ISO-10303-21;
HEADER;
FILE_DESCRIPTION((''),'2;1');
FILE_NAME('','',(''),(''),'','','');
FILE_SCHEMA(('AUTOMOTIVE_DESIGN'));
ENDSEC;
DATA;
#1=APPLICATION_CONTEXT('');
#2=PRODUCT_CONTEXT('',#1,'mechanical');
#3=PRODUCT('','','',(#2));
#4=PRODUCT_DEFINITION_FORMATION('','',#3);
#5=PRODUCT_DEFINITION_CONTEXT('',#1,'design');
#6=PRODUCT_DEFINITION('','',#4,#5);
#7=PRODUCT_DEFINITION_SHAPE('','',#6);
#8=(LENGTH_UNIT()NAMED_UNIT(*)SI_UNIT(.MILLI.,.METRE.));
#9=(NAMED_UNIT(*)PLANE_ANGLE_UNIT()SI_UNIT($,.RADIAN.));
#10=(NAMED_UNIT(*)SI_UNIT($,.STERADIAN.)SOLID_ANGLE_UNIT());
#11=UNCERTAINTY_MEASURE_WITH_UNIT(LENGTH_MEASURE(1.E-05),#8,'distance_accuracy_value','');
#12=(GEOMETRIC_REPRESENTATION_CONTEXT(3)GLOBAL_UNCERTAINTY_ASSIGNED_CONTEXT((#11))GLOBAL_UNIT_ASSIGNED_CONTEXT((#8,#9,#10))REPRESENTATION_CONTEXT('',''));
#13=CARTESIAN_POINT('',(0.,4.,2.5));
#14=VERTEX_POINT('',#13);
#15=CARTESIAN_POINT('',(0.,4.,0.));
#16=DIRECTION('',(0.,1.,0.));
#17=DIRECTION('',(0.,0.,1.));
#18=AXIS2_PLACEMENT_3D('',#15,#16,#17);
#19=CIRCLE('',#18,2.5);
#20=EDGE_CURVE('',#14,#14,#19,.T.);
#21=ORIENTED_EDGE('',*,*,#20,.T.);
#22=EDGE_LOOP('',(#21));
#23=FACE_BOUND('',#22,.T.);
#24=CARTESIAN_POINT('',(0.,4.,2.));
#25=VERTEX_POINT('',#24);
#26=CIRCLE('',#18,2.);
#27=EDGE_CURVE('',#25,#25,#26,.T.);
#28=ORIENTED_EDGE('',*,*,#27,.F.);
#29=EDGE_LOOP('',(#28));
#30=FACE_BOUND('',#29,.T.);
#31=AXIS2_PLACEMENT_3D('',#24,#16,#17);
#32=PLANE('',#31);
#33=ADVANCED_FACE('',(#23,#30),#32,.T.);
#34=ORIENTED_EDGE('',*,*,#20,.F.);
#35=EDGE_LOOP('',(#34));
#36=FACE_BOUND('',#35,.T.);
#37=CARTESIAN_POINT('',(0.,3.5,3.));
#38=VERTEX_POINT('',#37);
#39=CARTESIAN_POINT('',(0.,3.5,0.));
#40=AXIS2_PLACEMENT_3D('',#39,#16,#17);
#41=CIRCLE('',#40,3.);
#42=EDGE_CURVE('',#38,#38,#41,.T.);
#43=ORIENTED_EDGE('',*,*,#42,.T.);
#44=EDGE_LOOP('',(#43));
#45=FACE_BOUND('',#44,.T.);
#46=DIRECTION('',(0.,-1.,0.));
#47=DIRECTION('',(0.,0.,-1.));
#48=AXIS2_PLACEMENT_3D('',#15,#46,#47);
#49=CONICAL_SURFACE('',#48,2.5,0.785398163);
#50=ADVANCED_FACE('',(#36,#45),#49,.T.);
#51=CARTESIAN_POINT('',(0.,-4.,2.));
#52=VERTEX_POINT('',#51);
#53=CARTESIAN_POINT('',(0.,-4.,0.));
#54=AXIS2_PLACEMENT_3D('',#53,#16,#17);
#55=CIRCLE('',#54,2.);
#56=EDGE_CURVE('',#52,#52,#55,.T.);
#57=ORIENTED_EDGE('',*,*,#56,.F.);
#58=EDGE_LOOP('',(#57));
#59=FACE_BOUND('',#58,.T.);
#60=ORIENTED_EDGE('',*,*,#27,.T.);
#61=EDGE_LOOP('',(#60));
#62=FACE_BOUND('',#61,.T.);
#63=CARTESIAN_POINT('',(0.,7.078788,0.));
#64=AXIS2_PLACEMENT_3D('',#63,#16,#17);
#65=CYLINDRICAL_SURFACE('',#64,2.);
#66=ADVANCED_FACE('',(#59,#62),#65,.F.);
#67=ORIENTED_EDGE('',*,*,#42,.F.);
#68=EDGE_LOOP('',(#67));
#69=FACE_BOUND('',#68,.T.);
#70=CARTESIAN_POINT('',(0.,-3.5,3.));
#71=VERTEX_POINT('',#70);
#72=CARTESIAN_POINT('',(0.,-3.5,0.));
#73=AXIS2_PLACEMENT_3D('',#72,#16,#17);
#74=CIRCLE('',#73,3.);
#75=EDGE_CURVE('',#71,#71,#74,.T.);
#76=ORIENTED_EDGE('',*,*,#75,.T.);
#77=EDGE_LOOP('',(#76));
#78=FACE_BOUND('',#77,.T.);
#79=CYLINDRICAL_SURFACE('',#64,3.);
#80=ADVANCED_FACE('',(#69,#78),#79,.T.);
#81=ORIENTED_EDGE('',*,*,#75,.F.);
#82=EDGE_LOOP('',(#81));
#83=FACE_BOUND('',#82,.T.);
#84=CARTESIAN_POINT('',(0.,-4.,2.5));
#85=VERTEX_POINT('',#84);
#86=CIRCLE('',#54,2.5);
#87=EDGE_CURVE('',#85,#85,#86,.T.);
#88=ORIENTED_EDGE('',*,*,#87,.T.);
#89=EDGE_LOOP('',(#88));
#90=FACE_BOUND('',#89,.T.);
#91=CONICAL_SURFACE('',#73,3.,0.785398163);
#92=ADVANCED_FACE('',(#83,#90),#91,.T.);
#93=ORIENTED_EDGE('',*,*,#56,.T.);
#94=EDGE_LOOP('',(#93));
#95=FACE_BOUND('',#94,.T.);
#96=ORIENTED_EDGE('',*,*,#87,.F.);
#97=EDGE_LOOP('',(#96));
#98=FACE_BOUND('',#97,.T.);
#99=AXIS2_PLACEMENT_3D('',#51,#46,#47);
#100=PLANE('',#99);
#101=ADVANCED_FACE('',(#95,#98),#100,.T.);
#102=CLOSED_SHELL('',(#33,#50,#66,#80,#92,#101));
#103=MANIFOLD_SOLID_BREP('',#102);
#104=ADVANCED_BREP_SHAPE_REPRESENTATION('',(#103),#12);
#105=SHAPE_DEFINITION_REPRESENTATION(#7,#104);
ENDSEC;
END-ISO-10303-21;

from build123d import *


with BuildPart() as part:
    # Sketch1 → Revolve1 (revolve)
    with BuildSketch(Plane(origin=(0, 0, 0), x_dir=(0, 0, -1), z_dir=(1, 0, 0))):
        Polygon((-2, 4), (-2.5, 4), (-3, 3.5), (-3, -3.5), (-2.5, -4), (-2, -4), align=None)
    revolve(axis=Axis((0, 7.078787879, 0), (0, -1, 0)))


solid = part.part
